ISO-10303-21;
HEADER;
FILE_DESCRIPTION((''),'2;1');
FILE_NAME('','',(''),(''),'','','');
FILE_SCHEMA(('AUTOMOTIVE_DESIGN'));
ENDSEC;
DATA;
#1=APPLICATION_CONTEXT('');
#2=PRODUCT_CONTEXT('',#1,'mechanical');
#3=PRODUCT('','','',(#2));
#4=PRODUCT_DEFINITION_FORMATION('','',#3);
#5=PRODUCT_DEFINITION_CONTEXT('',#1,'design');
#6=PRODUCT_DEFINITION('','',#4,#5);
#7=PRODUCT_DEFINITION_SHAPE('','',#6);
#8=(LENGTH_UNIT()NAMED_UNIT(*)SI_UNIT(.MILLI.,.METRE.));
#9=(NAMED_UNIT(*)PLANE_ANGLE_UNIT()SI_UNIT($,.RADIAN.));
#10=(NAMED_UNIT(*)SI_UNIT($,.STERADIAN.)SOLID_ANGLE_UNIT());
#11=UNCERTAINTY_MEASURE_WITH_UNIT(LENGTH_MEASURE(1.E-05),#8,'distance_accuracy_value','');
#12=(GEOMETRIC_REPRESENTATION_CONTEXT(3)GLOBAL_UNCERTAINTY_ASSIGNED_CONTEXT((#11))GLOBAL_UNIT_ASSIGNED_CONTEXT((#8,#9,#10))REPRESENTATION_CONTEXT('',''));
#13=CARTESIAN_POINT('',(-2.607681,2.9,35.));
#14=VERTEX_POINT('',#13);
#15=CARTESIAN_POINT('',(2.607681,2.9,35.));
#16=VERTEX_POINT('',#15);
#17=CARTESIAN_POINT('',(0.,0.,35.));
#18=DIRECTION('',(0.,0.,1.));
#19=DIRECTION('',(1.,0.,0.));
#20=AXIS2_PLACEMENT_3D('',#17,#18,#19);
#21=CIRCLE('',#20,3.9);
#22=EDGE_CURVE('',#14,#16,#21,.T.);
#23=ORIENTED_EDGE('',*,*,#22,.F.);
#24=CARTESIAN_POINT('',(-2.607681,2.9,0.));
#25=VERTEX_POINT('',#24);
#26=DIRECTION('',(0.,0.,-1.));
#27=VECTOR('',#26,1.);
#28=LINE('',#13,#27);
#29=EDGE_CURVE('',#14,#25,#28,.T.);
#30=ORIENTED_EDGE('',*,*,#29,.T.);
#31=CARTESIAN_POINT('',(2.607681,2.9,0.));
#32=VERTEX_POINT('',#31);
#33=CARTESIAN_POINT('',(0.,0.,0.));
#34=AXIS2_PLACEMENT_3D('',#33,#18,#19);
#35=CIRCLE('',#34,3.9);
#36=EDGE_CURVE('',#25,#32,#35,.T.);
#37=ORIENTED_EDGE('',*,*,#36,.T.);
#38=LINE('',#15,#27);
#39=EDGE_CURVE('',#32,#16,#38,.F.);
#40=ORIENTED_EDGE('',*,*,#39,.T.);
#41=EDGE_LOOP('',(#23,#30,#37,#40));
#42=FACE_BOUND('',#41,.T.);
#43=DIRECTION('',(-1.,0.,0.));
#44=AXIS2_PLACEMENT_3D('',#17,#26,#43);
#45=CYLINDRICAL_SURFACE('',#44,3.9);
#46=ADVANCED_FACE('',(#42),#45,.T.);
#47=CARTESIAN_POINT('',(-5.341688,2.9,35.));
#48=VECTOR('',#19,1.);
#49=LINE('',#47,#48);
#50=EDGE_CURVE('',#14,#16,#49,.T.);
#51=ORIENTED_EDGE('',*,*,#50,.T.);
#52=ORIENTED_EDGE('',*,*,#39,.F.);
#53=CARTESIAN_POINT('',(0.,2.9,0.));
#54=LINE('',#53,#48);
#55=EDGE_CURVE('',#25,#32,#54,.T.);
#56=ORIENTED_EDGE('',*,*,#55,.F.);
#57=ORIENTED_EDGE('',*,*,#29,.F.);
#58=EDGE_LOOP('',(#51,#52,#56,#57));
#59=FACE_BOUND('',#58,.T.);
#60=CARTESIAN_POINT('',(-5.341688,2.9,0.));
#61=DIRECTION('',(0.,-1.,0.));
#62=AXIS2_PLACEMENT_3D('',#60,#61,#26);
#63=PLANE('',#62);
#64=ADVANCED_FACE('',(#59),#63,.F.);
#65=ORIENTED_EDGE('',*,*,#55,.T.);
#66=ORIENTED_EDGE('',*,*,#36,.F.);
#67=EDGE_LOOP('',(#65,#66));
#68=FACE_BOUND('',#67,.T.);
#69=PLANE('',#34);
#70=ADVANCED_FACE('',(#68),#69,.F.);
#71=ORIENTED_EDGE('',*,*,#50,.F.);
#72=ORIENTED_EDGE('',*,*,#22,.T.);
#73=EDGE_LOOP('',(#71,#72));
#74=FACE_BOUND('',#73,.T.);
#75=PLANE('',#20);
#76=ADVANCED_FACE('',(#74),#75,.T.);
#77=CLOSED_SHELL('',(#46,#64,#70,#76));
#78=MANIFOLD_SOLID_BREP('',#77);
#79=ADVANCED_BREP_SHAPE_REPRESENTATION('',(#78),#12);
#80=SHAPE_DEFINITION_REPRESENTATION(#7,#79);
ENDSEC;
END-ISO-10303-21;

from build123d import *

# Parameters (mm, degrees)
SKETCH_1_R          = 3.9
EXTRUDE_1_DEPTH     = 35
SKETCH_2_W          = 9.684871257
SKETCH_2_H          = 3.943126155
CUT_EXTRUDE_1_DEPTH = 36.431906525


with BuildPart() as part:
    # 草图1 → 凸台-拉伸1 (new body)
    with BuildSketch(Plane.XY):
        Circle(SKETCH_1_R)
    extrude(amount=EXTRUDE_1_DEPTH)

    # 草图2 → 切除-拉伸1 (cut, through all)
    with BuildSketch(Plane.XY.offset(35)):
        with Locations((-0.499252515, 4.871563078)):
            Rectangle(SKETCH_2_W, SKETCH_2_H)
    extrude(amount=-CUT_EXTRUDE_1_DEPTH, mode=Mode.SUBTRACT)


solid = part.part
